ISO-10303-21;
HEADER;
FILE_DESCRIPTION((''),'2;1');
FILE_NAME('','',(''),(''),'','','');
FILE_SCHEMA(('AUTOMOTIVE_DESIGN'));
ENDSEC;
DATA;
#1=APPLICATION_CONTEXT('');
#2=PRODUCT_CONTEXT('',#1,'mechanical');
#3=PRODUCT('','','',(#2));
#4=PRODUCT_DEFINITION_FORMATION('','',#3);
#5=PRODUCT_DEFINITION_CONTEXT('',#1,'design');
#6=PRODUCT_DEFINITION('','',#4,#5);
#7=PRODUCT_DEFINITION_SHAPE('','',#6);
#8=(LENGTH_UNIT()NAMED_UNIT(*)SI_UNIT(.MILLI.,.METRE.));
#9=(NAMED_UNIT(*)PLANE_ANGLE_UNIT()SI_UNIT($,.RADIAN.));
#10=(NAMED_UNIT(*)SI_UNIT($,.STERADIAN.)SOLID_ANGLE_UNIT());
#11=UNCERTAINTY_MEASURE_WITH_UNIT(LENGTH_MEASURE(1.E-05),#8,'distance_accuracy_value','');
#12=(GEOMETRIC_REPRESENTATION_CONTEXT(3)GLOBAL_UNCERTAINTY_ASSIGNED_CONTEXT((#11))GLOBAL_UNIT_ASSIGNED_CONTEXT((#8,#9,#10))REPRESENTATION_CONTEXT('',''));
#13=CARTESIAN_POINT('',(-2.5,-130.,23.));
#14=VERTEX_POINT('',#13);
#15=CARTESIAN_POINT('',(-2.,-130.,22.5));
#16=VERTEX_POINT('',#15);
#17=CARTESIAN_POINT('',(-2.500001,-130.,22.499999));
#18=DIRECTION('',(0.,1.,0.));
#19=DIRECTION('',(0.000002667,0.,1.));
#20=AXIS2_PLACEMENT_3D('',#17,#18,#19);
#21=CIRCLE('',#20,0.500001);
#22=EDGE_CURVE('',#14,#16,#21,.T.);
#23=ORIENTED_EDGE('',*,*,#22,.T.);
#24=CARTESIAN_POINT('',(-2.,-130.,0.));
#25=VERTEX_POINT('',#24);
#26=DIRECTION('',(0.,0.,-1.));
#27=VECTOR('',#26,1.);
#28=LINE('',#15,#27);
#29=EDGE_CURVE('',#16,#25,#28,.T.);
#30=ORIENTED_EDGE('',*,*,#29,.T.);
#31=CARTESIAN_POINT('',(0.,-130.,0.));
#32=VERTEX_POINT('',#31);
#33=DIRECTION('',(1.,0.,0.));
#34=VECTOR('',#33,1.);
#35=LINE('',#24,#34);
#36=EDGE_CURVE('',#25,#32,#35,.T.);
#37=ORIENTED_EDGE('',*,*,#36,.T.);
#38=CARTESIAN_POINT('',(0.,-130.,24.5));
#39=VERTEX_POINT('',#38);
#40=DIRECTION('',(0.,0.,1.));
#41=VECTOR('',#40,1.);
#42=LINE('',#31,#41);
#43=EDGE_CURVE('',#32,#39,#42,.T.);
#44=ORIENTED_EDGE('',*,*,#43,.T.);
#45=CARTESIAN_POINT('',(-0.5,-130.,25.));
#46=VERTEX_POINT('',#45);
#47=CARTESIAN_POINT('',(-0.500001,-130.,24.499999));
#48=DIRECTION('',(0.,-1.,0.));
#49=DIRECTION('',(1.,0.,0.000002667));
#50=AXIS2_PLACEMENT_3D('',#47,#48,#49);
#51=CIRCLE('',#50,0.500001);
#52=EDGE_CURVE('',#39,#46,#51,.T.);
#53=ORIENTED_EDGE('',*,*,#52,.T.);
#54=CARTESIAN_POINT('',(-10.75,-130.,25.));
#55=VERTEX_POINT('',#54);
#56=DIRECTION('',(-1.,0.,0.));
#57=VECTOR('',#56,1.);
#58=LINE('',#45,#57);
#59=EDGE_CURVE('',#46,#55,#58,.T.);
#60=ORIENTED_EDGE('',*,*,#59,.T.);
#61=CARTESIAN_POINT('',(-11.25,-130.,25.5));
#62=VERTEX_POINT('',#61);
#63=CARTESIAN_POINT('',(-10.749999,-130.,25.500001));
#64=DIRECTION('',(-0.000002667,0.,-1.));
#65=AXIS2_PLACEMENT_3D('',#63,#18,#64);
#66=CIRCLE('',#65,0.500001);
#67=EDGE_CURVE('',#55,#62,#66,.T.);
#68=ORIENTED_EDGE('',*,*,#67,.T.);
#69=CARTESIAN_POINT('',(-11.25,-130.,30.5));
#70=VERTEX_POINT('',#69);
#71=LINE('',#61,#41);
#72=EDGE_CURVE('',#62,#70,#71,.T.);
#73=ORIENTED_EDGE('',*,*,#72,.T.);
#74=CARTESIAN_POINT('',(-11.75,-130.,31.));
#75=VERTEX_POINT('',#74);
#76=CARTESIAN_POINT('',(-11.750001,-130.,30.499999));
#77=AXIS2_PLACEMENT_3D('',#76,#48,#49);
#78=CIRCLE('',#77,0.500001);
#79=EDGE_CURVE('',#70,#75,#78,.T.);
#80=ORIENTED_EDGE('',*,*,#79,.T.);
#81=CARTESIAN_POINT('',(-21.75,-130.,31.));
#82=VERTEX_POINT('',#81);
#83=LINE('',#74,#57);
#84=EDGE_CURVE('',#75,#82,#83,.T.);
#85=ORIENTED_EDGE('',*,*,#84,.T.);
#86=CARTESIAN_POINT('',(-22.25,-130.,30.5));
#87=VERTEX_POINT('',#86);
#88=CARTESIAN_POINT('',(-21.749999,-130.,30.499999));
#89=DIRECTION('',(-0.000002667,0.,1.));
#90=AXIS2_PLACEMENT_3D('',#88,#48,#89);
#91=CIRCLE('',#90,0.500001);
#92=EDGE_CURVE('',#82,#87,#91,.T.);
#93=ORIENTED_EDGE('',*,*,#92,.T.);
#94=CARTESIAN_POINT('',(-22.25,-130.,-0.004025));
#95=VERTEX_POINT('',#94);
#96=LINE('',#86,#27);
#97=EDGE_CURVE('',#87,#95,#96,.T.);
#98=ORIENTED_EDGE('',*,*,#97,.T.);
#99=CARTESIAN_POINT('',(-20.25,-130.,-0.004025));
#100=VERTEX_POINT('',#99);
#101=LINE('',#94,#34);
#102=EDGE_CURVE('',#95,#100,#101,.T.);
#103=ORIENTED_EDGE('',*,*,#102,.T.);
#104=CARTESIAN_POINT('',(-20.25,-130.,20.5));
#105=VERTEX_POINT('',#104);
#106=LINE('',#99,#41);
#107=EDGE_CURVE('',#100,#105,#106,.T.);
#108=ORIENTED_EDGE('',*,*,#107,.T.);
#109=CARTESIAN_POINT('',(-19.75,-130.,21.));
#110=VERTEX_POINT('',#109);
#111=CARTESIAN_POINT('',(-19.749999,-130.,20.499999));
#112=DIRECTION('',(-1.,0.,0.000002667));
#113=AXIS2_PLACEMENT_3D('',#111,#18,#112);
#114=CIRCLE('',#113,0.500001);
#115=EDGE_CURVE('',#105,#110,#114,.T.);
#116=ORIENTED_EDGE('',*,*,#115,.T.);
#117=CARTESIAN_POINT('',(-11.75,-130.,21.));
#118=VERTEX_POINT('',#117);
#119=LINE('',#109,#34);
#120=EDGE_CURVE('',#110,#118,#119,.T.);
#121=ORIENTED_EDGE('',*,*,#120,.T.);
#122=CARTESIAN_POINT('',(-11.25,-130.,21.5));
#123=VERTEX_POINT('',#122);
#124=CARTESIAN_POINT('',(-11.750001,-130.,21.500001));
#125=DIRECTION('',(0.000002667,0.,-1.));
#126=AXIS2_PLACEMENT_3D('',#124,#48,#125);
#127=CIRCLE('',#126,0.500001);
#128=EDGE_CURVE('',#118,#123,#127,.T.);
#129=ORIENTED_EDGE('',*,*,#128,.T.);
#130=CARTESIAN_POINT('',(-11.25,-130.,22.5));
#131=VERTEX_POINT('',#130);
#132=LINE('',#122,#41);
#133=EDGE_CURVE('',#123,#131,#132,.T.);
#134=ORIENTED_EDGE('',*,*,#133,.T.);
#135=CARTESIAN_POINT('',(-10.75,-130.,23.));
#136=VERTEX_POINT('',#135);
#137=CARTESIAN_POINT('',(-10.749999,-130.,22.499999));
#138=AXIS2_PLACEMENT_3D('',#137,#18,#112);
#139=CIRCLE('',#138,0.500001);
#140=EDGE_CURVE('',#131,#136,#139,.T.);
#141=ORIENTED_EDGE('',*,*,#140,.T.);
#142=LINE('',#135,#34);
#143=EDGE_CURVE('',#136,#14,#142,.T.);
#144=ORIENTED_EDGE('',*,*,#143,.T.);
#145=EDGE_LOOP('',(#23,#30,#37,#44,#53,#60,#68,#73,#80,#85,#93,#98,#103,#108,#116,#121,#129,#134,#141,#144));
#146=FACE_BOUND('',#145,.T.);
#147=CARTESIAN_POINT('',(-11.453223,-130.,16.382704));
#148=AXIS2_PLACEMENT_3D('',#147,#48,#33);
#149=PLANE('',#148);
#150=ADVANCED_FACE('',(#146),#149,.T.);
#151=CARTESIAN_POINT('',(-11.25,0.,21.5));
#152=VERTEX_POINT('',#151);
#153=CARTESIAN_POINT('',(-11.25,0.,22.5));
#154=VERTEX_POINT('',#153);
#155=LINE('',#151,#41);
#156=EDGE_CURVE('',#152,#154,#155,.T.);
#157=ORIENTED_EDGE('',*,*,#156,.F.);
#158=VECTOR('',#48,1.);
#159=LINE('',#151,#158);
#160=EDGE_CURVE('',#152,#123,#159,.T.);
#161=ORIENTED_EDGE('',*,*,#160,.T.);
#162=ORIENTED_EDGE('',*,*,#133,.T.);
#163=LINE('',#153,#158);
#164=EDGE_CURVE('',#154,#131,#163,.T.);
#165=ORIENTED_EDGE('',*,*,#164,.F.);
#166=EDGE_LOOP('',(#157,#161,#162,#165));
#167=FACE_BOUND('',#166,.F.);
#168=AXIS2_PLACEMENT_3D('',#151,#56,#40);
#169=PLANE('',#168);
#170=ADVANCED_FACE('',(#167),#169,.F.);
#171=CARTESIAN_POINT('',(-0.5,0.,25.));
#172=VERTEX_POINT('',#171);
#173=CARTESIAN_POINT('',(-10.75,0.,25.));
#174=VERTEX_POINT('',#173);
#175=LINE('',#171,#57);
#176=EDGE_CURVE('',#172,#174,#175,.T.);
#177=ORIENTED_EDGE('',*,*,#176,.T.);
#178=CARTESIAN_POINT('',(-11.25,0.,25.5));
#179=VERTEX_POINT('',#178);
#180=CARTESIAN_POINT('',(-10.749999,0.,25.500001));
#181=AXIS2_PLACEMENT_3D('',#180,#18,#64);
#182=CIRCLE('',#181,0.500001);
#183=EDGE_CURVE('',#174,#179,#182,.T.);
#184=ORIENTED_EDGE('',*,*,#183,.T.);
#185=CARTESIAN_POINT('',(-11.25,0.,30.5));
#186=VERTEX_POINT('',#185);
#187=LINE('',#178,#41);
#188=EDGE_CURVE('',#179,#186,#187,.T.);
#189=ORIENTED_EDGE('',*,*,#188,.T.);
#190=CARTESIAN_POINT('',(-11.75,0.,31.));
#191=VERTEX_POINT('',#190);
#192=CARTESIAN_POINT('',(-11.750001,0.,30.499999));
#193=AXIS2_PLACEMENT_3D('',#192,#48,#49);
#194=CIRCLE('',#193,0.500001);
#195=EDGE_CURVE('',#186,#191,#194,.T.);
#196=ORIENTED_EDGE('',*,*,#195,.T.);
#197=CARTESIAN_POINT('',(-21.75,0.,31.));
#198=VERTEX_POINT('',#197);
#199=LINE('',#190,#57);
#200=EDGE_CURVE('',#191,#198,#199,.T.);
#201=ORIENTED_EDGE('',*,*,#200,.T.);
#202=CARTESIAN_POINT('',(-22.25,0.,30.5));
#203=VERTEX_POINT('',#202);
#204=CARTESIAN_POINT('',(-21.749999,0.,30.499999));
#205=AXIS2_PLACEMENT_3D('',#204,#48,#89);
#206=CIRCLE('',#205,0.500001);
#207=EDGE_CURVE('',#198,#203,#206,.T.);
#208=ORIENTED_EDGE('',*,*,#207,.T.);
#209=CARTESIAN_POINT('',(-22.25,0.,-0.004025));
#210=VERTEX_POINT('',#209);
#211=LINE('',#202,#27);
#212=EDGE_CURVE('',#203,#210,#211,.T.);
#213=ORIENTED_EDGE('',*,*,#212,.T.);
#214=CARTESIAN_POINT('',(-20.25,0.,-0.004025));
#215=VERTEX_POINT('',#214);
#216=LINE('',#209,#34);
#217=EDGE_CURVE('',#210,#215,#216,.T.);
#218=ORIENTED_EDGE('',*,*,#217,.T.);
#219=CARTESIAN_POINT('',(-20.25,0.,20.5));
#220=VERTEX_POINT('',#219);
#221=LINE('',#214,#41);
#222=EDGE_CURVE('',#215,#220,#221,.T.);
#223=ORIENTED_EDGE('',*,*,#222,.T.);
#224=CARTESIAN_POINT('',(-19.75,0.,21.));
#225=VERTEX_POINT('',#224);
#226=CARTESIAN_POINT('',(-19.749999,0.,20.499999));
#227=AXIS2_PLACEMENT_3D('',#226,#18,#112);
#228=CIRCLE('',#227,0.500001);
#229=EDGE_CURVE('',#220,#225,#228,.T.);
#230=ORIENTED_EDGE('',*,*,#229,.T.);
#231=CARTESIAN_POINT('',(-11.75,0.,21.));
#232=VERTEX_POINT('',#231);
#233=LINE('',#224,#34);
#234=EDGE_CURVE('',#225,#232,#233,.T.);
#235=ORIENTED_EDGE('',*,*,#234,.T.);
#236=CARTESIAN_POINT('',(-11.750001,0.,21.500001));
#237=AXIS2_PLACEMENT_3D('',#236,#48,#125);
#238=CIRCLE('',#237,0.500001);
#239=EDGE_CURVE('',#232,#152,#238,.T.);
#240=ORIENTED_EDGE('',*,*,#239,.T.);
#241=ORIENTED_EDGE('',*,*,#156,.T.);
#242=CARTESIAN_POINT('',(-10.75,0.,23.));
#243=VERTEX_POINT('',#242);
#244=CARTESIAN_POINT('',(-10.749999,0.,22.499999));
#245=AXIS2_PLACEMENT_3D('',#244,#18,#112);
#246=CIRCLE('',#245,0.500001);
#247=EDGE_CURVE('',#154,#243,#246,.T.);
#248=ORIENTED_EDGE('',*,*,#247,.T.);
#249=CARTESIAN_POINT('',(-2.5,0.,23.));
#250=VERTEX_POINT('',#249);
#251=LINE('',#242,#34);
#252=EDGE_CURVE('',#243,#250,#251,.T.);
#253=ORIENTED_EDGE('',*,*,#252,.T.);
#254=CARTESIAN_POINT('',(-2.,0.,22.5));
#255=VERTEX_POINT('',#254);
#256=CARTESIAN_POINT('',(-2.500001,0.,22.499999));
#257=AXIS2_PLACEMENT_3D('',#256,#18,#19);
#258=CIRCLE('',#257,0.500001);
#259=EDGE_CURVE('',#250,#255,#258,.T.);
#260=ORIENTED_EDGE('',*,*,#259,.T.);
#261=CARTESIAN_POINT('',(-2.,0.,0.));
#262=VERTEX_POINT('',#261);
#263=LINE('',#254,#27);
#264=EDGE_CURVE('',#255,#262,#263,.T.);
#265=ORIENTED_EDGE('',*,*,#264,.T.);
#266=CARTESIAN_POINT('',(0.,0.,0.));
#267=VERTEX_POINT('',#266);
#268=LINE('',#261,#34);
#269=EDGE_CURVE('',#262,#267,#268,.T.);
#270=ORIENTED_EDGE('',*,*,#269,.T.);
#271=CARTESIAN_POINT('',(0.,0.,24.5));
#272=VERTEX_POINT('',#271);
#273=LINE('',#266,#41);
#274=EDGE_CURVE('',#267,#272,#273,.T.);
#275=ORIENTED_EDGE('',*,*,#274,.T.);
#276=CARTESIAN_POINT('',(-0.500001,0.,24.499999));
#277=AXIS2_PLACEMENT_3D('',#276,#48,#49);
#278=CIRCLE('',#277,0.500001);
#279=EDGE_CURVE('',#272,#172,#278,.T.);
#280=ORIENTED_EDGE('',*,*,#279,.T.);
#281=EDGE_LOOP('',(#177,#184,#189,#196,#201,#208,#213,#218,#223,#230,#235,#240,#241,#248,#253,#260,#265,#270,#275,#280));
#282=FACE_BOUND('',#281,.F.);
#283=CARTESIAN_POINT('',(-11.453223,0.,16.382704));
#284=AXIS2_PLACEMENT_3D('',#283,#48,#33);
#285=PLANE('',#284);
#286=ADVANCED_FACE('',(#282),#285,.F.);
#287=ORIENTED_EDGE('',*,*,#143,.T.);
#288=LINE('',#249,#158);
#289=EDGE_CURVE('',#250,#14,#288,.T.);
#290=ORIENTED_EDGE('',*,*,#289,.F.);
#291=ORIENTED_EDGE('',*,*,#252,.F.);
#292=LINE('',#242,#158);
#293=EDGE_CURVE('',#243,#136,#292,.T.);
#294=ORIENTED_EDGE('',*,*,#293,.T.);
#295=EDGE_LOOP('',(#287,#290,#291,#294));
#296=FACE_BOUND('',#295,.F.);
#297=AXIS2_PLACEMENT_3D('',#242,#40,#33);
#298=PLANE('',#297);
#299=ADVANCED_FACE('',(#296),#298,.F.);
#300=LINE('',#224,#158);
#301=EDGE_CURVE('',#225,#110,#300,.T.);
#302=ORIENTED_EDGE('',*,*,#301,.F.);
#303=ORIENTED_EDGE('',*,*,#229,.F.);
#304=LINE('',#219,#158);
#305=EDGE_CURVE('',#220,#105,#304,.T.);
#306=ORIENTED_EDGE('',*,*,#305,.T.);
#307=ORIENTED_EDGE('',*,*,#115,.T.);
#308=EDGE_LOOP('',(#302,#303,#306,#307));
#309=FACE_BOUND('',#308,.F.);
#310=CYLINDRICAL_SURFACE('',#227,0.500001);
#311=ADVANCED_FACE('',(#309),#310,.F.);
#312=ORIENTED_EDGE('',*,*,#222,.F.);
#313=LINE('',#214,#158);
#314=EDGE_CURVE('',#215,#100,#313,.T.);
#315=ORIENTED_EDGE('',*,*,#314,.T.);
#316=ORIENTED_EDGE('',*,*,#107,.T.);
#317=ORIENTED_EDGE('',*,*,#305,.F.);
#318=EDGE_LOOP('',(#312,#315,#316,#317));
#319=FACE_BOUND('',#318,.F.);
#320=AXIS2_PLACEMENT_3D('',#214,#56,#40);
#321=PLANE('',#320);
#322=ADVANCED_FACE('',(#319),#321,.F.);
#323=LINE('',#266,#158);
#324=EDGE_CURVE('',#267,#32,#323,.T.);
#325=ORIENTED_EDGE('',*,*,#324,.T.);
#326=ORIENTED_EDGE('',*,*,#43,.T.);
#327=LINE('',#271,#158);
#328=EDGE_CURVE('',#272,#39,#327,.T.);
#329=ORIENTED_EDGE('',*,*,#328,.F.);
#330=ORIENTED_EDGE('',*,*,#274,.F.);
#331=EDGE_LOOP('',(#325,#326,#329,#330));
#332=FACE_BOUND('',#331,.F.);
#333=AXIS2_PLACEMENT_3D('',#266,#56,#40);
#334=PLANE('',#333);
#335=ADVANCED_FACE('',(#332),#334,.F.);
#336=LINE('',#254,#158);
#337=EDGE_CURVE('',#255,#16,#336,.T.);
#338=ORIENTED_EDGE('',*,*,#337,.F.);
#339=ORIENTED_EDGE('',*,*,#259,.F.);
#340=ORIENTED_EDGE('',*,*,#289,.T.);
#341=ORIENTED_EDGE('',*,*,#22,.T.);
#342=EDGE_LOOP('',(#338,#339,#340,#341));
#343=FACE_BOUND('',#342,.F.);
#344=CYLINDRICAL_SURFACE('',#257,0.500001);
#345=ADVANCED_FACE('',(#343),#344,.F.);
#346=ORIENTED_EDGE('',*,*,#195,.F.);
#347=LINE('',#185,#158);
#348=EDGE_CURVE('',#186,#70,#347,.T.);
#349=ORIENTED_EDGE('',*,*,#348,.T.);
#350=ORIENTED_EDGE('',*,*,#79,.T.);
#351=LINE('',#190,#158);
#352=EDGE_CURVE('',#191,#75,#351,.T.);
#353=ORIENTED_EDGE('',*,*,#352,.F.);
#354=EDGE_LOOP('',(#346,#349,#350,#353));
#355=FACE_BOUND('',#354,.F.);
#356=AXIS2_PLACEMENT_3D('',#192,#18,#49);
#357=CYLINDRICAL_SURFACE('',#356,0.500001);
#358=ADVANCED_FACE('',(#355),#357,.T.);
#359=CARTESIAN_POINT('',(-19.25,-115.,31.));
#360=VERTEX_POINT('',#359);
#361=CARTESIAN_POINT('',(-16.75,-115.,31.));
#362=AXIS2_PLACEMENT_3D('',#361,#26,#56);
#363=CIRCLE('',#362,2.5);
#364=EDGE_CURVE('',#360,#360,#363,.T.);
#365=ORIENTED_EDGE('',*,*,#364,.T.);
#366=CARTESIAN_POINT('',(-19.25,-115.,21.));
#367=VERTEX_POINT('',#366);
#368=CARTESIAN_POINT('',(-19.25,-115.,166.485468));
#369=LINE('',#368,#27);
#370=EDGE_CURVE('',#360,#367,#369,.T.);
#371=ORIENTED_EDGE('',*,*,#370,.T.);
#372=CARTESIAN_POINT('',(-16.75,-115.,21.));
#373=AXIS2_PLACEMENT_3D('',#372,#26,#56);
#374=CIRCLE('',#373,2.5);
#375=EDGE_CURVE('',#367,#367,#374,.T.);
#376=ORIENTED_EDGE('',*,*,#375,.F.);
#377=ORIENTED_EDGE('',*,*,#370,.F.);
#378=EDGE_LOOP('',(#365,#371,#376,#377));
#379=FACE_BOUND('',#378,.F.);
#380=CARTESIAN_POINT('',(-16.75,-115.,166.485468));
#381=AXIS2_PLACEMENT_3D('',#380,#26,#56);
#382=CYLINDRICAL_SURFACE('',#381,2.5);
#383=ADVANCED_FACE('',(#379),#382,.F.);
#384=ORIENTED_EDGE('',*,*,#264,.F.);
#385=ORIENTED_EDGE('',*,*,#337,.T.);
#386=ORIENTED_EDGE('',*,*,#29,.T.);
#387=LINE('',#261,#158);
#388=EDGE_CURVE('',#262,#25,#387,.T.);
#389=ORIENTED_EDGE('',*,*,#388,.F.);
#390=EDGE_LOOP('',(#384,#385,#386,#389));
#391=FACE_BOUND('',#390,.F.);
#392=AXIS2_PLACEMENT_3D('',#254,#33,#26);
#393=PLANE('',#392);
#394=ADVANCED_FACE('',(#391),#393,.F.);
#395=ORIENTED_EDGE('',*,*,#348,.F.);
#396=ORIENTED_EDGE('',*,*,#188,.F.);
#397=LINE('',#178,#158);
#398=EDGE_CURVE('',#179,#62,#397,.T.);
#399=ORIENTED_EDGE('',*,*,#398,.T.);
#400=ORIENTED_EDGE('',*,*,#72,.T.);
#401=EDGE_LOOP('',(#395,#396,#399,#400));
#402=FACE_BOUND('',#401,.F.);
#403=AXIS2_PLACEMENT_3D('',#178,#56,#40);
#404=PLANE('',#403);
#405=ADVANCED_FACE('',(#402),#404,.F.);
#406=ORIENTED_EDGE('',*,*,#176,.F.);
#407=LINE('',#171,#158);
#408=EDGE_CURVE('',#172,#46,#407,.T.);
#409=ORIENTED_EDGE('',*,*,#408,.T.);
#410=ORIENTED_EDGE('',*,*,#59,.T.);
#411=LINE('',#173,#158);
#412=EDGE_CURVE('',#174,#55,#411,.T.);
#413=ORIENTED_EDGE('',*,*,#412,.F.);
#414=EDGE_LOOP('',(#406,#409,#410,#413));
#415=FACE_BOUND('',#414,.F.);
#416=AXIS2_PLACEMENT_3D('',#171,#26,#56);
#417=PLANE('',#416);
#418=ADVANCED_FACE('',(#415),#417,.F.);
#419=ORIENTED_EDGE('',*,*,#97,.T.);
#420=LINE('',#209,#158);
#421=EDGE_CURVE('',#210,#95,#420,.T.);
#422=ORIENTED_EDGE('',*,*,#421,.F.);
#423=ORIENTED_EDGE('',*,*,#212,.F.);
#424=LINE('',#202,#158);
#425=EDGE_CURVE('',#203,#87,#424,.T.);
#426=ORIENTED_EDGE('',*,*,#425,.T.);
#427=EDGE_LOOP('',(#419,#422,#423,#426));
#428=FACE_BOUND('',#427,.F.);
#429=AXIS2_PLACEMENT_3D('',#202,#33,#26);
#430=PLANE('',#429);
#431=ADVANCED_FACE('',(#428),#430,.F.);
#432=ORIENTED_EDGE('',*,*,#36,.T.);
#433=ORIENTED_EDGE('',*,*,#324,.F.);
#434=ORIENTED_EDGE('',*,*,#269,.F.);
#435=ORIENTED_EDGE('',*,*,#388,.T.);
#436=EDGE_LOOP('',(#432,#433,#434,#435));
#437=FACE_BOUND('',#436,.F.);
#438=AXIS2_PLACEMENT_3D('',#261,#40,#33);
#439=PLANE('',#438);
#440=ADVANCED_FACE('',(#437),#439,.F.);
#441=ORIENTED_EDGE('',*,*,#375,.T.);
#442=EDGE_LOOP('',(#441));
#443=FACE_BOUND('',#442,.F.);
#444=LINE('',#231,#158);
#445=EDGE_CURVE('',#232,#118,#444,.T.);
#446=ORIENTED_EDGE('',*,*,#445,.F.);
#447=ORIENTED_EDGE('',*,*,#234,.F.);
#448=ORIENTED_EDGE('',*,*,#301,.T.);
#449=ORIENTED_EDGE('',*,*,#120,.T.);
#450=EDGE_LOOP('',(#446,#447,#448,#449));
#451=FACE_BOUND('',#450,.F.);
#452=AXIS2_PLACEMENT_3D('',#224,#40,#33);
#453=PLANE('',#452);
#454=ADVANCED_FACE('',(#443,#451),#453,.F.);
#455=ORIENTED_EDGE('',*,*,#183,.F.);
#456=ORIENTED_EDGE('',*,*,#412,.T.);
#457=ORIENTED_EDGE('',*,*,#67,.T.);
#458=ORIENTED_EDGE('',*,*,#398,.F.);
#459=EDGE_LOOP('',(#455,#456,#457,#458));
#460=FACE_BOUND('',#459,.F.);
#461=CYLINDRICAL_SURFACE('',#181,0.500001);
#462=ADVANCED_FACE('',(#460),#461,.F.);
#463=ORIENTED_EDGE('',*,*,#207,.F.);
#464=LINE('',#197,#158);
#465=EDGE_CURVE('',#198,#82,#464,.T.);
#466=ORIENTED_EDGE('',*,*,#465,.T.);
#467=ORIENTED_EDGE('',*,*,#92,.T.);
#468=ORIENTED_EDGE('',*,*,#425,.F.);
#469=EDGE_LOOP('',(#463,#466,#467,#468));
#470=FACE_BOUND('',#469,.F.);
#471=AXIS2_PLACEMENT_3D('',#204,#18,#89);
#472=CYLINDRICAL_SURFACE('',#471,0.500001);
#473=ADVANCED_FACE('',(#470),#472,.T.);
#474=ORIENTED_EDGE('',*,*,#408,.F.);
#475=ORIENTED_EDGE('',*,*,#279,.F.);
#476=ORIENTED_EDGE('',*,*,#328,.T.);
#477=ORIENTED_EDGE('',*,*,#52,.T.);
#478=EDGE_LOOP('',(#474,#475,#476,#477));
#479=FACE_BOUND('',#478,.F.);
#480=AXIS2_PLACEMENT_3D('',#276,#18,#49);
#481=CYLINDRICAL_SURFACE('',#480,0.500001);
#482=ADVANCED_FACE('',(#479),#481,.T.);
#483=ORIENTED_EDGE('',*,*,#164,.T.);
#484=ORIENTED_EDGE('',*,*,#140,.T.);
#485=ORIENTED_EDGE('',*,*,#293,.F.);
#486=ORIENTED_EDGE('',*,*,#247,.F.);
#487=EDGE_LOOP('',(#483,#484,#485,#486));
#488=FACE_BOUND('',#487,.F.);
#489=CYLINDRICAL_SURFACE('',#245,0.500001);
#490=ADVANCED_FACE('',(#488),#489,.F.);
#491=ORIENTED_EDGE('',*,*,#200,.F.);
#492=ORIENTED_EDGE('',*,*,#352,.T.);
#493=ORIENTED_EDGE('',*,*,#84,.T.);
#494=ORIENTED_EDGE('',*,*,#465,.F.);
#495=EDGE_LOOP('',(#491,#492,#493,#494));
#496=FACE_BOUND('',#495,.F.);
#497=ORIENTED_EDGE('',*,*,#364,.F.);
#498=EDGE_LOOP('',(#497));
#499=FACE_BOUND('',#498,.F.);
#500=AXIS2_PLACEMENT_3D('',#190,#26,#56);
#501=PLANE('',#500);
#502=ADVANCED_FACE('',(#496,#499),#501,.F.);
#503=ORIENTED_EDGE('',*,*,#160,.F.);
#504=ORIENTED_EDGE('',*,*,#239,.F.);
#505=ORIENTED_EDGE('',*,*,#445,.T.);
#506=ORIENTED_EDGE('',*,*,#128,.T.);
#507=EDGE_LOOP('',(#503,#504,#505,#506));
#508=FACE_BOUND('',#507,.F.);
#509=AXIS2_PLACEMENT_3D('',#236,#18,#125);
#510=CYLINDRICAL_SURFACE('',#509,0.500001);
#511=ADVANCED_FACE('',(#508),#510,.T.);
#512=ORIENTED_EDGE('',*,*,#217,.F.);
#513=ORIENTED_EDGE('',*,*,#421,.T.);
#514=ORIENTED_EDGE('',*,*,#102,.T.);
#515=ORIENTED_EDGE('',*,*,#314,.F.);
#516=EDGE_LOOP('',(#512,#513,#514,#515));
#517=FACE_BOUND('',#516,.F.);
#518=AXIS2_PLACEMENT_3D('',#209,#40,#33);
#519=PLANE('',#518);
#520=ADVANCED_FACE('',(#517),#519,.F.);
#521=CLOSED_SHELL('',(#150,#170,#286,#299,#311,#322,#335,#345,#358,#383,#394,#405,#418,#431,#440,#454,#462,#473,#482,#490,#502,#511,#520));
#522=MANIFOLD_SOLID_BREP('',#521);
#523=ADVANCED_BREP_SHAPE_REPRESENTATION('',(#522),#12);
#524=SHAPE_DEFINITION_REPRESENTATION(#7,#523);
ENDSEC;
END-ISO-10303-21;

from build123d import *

# Parameters (mm, degrees)
F1_DEPTH = 130
F3_D     = 5


with BuildPart() as f1:
    # F0 (on Front) → F1 (new body)
    with BuildSketch(Plane.XZ):
        with BuildLine():
            Line((-2, 0), (0, 0))
            Line((0, 0), (0, 24.5))
            ThreePointArc((0, 24.5), (-0.146447, 24.853553), (-0.5, 25))
            Line((-0.5, 25), (-10.75, 25))
            ThreePointArc((-10.75, 25), (-11.103553, 25.146447), (-11.25, 25.5))
            Line((-11.25, 25.5), (-11.25, 30.5))
            ThreePointArc((-11.25, 30.5), (-11.396447, 30.853553), (-11.75, 31))
            Line((-11.75, 31), (-21.75, 31))
            ThreePointArc((-21.75, 31), (-22.103553, 30.853553), (-22.25, 30.5))
            Line((-22.25, 30.5), (-22.25, 22.5))
            Line((-22.25, 22.5), (-22.25, -0.004025))
            Line((-22.25, -0.004025), (-20.25, -0.004025))
            Line((-20.25, -0.004025), (-20.25, 20.5))
            ThreePointArc((-20.25, 20.5), (-20.103553, 20.853553), (-19.75, 21))
            Line((-19.75, 21), (-11.75, 21))
            ThreePointArc((-11.75, 21), (-11.396447, 21.146447), (-11.25, 21.5))
            Line((-11.25, 21.5), (-11.25, 22.5))
            ThreePointArc((-11.25, 22.5), (-11.103553, 22.853553), (-10.75, 23))
            Line((-10.75, 23), (-2.5, 23))
            ThreePointArc((-2.5, 23), (-2.146447, 22.853553), (-2, 22.5))
            Line((-2, 22.5), (-2, 0))
        make_face()
    extrude(amount=F1_DEPTH)

    # F3 (through all)
    with Locations(Plane.XY.offset(31)):
        with Locations((-16.75, -115)):
            Hole(F3_D / 2)


solid = f1.part
